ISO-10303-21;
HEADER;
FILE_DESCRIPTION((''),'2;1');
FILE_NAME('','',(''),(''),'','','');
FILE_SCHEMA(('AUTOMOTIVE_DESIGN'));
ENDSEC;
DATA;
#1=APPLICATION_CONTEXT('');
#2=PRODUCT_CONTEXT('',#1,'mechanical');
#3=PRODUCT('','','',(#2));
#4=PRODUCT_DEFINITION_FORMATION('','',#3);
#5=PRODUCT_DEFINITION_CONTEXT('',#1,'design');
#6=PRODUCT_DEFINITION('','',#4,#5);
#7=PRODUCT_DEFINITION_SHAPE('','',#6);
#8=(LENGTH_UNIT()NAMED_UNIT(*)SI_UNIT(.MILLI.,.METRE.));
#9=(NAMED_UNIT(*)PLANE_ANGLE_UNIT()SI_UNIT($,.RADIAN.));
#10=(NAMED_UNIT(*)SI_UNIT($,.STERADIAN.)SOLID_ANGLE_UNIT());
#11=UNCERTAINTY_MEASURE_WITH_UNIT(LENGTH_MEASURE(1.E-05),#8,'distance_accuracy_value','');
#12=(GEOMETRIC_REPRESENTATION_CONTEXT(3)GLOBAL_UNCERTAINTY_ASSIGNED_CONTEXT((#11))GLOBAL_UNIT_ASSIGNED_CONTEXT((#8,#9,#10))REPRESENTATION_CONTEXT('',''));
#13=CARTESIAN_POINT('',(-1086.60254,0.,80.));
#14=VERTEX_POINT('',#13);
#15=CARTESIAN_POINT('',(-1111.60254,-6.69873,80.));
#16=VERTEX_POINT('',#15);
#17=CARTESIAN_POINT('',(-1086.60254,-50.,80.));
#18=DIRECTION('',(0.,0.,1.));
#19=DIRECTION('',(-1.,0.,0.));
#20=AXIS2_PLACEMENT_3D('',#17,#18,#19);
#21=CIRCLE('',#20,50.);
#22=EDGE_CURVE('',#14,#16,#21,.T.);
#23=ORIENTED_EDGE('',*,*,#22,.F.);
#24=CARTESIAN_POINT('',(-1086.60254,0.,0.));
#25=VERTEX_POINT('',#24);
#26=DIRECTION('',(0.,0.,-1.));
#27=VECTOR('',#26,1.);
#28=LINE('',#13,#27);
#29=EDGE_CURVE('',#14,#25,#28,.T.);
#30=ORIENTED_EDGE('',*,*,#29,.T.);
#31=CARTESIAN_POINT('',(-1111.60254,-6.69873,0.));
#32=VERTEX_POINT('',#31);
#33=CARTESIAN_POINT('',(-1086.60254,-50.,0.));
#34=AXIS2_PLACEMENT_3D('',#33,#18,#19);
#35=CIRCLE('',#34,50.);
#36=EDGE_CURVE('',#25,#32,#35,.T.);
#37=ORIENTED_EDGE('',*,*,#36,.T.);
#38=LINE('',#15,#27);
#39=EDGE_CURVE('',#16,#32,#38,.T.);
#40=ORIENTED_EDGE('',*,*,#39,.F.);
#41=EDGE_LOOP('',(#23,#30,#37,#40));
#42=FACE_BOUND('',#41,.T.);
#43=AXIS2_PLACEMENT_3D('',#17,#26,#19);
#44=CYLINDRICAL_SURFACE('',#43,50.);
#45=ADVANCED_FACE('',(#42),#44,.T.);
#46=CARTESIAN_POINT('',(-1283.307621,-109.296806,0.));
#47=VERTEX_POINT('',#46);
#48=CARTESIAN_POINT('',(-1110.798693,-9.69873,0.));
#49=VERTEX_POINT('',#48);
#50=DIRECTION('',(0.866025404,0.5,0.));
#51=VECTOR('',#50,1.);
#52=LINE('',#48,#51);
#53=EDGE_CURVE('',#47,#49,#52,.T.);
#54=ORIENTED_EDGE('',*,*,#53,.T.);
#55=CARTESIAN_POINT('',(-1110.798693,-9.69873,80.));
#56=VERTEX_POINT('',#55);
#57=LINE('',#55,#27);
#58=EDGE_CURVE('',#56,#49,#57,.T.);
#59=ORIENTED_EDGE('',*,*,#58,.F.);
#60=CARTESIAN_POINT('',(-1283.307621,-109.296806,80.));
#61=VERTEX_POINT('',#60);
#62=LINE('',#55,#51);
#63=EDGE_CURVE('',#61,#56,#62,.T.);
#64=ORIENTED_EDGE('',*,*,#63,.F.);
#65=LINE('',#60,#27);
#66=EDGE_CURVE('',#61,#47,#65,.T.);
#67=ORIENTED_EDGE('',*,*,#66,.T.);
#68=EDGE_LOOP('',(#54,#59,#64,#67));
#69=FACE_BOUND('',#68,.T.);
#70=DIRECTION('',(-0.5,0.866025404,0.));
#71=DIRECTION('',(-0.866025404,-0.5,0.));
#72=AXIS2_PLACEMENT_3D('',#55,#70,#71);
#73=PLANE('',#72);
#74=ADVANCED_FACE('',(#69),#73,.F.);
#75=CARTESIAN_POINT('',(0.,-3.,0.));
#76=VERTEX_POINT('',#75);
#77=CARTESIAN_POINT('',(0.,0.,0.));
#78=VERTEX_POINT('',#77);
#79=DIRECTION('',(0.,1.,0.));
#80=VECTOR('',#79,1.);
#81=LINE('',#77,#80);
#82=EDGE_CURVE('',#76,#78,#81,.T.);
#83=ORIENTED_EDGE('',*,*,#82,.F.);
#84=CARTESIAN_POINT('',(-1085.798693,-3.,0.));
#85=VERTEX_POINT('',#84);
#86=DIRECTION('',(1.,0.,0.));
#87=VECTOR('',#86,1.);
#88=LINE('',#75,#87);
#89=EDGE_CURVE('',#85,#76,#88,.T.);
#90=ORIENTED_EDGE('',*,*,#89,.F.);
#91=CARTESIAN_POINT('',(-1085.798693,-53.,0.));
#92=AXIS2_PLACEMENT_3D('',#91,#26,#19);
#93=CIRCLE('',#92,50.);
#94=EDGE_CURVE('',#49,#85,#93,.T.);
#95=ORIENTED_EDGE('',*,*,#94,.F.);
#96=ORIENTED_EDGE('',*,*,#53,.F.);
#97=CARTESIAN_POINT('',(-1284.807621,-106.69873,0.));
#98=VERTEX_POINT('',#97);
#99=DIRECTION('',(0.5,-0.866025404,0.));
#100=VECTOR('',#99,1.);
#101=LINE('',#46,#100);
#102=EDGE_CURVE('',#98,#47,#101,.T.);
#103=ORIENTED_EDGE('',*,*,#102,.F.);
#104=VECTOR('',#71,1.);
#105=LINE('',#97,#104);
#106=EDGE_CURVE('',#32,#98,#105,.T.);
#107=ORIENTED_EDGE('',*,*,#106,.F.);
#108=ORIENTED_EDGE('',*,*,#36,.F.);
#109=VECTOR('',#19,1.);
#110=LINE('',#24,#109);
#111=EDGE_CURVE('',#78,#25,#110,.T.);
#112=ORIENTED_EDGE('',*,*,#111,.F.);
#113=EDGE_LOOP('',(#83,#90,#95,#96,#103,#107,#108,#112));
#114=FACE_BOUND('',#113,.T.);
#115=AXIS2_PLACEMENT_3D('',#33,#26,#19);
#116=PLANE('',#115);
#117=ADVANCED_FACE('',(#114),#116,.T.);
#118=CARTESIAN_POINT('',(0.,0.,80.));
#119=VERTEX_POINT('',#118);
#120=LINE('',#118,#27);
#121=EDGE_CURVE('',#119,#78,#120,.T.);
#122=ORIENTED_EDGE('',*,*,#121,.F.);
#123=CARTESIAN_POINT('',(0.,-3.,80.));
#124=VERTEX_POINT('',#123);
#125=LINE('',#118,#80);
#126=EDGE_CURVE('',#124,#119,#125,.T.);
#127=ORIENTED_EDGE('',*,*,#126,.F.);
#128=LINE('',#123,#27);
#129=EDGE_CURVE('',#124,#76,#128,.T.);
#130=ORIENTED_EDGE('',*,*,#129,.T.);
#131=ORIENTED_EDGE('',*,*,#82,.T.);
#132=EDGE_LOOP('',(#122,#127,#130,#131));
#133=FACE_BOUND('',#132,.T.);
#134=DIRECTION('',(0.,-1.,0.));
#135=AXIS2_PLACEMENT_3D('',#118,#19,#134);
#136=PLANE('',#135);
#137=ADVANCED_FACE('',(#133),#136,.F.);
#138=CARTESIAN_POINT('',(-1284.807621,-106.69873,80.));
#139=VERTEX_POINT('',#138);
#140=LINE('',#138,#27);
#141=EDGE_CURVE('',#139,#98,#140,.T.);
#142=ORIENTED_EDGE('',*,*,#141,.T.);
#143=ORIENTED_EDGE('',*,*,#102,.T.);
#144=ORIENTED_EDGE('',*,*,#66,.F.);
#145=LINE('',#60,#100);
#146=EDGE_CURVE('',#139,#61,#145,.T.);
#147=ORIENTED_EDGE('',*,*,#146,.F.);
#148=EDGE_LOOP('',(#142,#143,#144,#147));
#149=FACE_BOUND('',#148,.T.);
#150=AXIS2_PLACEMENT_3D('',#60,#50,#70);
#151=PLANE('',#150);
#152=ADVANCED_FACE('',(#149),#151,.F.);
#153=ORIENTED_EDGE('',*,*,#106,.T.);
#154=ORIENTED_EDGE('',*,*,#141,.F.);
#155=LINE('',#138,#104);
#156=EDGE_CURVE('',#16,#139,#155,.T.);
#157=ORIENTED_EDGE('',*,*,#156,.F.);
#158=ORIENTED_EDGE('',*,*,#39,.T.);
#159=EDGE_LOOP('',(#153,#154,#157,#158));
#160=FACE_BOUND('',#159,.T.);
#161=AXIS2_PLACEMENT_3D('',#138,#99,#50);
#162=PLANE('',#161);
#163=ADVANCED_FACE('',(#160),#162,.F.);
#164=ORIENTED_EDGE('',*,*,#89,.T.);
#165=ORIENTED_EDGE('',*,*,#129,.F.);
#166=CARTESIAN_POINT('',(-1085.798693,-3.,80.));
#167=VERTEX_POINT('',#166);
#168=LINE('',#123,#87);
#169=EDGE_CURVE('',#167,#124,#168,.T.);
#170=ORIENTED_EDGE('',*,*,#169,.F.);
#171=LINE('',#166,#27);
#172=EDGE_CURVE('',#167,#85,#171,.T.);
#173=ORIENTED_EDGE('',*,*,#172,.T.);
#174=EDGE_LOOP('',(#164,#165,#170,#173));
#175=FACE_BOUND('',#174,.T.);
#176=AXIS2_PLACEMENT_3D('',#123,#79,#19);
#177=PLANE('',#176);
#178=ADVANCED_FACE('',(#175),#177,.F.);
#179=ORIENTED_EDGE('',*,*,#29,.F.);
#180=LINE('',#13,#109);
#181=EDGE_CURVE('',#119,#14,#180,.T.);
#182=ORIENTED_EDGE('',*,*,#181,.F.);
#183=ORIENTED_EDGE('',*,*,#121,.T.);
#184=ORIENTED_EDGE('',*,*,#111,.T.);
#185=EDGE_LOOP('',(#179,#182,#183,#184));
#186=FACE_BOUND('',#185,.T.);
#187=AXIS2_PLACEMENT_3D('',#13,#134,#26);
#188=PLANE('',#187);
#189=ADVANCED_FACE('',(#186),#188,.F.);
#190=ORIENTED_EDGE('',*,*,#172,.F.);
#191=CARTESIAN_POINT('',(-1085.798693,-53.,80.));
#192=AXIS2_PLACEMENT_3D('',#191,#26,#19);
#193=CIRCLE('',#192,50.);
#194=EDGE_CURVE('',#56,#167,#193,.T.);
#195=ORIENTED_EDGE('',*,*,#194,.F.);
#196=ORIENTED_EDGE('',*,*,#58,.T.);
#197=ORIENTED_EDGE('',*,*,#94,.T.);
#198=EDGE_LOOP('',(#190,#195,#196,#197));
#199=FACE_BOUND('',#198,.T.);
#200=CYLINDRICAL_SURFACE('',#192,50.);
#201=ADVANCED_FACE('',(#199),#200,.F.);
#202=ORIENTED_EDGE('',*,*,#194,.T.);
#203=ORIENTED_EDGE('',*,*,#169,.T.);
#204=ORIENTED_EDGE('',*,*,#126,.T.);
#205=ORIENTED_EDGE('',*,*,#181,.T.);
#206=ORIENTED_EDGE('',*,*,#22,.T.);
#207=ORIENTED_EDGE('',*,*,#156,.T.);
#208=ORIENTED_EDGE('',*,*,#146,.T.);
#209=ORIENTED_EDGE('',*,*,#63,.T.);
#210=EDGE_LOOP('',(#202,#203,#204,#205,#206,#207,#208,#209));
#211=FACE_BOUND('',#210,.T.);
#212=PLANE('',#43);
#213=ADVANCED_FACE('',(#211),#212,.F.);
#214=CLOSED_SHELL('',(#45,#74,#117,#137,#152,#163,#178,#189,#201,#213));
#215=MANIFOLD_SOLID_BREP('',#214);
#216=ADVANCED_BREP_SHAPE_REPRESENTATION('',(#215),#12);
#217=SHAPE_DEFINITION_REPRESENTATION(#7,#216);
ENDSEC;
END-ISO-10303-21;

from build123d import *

# Parameters (mm, degrees)
BOSS_EXTRUDE1_DEPTH = 80


with BuildPart() as part:
    # Sketch1 → Boss-Extrude1 (new body)
    with BuildSketch(Plane.XY):
        with BuildLine():
            Line((-1284.807621135, -106.698729811), (-1111.602540378, -6.698729811))
            ThreePointArc((-1111.602540378, -6.698729811), (-1099.543492634, -1.703708686), (-1086.602540378, 0))
            Line((-1086.602540378, 0), (0, 0))
            Line((0, 0), (0, -3))
            Line((0, -3), (-1085.798692801, -3))
            ThreePointArc((-1085.798692801, -3), (-1098.739645056, -4.703708686), (-1110.798692801, -9.698729811))
            Line((-1110.798692801, -9.698729811), (-1283.307621135, -109.296806022))
            Line((-1283.307621135, -109.296806022), (-1284.807621135, -106.698729811))
        make_face()
    extrude(amount=BOSS_EXTRUDE1_DEPTH)


solid = part.part
